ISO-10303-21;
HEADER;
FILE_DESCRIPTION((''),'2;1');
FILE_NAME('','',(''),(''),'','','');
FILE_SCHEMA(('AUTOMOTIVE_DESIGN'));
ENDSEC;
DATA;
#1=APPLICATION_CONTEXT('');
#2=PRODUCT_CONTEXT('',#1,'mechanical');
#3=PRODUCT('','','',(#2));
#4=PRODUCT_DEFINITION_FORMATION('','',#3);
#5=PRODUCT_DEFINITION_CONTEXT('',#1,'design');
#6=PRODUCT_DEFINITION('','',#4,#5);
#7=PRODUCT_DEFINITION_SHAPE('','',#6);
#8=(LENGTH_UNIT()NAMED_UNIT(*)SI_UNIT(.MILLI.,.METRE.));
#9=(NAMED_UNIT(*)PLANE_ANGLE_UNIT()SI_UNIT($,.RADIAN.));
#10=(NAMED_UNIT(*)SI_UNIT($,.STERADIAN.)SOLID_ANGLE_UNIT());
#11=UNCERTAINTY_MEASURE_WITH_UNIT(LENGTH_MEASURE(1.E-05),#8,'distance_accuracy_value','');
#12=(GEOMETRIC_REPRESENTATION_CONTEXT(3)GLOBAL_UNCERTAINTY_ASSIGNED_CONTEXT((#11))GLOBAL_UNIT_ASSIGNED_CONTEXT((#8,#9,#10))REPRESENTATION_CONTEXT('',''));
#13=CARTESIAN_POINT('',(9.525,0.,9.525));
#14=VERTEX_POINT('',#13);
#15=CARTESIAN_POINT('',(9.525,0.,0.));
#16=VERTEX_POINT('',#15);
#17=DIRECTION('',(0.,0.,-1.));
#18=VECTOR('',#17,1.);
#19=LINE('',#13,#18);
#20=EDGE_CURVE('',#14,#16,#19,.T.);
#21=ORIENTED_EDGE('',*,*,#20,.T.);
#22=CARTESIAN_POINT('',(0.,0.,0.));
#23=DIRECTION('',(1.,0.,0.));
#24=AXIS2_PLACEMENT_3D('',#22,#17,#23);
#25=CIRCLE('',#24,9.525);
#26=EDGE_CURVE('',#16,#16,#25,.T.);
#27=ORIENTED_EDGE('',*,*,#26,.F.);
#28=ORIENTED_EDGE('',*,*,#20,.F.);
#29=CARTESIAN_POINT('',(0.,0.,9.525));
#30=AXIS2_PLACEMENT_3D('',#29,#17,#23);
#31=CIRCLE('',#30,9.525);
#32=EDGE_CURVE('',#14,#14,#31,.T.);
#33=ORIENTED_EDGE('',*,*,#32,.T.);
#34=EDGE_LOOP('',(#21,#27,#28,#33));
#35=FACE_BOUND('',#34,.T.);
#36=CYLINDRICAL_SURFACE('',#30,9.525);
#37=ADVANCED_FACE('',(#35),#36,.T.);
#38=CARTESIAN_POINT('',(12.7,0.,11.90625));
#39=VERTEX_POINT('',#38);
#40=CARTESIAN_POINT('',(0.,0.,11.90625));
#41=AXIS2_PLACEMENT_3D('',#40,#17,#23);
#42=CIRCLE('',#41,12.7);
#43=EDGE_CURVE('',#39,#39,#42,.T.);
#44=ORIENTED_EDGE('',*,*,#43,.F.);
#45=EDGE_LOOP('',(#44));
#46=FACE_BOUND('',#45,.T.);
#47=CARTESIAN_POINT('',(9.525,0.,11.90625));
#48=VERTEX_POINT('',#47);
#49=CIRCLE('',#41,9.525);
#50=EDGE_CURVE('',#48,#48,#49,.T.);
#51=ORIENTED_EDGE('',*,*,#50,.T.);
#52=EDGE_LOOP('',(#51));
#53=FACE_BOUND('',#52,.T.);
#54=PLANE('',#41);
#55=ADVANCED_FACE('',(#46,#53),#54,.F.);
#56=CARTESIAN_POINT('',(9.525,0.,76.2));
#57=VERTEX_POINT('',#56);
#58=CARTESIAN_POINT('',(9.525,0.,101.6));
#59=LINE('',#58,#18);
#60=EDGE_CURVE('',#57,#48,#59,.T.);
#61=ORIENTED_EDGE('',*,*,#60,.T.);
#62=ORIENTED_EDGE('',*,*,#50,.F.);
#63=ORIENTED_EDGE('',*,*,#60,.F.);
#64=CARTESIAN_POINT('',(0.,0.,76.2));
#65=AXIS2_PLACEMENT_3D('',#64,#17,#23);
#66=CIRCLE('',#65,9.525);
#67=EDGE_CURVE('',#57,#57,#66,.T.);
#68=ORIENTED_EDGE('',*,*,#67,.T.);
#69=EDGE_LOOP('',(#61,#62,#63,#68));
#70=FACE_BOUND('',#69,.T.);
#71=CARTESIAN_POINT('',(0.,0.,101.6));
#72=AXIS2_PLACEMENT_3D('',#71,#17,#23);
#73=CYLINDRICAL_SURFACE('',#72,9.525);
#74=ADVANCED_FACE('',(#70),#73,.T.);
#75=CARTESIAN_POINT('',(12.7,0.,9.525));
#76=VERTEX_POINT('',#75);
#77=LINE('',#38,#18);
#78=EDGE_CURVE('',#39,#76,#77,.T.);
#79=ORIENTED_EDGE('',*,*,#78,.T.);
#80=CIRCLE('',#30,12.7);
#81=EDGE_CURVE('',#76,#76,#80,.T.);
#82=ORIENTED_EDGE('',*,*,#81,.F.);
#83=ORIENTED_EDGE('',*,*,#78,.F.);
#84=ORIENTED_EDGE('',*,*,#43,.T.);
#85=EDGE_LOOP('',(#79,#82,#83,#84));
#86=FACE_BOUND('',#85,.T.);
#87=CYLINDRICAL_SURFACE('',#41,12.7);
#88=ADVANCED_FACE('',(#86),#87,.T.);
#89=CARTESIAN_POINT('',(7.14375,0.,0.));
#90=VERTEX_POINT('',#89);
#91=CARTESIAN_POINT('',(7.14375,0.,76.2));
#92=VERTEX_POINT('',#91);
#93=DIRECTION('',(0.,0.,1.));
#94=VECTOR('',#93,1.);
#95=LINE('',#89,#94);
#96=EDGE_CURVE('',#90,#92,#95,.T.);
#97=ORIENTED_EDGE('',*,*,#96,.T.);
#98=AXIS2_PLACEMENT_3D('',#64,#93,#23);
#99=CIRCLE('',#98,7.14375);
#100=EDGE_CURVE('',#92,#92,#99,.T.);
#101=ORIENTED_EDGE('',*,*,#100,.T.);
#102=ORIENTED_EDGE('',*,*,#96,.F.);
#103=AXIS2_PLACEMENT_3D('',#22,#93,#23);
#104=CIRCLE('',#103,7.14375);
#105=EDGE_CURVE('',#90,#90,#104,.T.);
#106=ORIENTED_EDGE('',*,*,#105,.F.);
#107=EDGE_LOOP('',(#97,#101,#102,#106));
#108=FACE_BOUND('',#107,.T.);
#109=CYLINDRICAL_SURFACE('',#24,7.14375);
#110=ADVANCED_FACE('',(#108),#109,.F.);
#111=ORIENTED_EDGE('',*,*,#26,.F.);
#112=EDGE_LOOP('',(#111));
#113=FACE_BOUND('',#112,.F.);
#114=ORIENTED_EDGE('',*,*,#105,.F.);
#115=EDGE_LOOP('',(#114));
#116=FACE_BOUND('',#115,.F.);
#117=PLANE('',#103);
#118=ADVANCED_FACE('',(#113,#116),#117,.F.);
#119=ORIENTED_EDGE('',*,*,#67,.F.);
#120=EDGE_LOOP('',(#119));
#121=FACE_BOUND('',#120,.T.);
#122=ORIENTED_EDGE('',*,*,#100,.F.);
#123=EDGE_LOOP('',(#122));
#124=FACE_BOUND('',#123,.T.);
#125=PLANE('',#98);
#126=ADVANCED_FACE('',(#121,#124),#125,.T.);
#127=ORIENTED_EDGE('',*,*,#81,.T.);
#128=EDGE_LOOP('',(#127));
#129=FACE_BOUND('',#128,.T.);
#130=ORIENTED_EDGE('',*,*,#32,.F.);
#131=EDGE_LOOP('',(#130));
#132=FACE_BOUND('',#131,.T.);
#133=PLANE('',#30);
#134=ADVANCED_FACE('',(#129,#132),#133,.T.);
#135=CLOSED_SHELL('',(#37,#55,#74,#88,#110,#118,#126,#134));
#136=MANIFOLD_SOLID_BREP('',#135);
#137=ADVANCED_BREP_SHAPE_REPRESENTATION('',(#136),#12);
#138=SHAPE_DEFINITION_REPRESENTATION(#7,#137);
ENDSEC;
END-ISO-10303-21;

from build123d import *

# Parameters (mm, degrees)
F0_R     = 19.05
F0_R_2   = 7.14375
F1_DEPTH = 76.2


with BuildPart() as f1:
    # F0 (on Top) → F1 (new body)
    with BuildSketch(Plane.XY):
        Circle(F0_R)
        Circle(F0_R_2, mode=Mode.SUBTRACT)
    extrude(amount=F1_DEPTH)

    # F2 (on Front) → F3 (revolve, cut)
    with BuildSketch(Plane.XZ):
        Polygon((9.525, 9.525), (9.525, 0), (34.925, 0), (34.925, 101.6), (9.525, 101.6), (9.525, 11.90625), (12.7, 11.90625), (12.7, 9.525), align=None)
    revolve(axis=Axis((0, 0, 0), (0, 0, -1)), mode=Mode.SUBTRACT)


solid = f1.part
